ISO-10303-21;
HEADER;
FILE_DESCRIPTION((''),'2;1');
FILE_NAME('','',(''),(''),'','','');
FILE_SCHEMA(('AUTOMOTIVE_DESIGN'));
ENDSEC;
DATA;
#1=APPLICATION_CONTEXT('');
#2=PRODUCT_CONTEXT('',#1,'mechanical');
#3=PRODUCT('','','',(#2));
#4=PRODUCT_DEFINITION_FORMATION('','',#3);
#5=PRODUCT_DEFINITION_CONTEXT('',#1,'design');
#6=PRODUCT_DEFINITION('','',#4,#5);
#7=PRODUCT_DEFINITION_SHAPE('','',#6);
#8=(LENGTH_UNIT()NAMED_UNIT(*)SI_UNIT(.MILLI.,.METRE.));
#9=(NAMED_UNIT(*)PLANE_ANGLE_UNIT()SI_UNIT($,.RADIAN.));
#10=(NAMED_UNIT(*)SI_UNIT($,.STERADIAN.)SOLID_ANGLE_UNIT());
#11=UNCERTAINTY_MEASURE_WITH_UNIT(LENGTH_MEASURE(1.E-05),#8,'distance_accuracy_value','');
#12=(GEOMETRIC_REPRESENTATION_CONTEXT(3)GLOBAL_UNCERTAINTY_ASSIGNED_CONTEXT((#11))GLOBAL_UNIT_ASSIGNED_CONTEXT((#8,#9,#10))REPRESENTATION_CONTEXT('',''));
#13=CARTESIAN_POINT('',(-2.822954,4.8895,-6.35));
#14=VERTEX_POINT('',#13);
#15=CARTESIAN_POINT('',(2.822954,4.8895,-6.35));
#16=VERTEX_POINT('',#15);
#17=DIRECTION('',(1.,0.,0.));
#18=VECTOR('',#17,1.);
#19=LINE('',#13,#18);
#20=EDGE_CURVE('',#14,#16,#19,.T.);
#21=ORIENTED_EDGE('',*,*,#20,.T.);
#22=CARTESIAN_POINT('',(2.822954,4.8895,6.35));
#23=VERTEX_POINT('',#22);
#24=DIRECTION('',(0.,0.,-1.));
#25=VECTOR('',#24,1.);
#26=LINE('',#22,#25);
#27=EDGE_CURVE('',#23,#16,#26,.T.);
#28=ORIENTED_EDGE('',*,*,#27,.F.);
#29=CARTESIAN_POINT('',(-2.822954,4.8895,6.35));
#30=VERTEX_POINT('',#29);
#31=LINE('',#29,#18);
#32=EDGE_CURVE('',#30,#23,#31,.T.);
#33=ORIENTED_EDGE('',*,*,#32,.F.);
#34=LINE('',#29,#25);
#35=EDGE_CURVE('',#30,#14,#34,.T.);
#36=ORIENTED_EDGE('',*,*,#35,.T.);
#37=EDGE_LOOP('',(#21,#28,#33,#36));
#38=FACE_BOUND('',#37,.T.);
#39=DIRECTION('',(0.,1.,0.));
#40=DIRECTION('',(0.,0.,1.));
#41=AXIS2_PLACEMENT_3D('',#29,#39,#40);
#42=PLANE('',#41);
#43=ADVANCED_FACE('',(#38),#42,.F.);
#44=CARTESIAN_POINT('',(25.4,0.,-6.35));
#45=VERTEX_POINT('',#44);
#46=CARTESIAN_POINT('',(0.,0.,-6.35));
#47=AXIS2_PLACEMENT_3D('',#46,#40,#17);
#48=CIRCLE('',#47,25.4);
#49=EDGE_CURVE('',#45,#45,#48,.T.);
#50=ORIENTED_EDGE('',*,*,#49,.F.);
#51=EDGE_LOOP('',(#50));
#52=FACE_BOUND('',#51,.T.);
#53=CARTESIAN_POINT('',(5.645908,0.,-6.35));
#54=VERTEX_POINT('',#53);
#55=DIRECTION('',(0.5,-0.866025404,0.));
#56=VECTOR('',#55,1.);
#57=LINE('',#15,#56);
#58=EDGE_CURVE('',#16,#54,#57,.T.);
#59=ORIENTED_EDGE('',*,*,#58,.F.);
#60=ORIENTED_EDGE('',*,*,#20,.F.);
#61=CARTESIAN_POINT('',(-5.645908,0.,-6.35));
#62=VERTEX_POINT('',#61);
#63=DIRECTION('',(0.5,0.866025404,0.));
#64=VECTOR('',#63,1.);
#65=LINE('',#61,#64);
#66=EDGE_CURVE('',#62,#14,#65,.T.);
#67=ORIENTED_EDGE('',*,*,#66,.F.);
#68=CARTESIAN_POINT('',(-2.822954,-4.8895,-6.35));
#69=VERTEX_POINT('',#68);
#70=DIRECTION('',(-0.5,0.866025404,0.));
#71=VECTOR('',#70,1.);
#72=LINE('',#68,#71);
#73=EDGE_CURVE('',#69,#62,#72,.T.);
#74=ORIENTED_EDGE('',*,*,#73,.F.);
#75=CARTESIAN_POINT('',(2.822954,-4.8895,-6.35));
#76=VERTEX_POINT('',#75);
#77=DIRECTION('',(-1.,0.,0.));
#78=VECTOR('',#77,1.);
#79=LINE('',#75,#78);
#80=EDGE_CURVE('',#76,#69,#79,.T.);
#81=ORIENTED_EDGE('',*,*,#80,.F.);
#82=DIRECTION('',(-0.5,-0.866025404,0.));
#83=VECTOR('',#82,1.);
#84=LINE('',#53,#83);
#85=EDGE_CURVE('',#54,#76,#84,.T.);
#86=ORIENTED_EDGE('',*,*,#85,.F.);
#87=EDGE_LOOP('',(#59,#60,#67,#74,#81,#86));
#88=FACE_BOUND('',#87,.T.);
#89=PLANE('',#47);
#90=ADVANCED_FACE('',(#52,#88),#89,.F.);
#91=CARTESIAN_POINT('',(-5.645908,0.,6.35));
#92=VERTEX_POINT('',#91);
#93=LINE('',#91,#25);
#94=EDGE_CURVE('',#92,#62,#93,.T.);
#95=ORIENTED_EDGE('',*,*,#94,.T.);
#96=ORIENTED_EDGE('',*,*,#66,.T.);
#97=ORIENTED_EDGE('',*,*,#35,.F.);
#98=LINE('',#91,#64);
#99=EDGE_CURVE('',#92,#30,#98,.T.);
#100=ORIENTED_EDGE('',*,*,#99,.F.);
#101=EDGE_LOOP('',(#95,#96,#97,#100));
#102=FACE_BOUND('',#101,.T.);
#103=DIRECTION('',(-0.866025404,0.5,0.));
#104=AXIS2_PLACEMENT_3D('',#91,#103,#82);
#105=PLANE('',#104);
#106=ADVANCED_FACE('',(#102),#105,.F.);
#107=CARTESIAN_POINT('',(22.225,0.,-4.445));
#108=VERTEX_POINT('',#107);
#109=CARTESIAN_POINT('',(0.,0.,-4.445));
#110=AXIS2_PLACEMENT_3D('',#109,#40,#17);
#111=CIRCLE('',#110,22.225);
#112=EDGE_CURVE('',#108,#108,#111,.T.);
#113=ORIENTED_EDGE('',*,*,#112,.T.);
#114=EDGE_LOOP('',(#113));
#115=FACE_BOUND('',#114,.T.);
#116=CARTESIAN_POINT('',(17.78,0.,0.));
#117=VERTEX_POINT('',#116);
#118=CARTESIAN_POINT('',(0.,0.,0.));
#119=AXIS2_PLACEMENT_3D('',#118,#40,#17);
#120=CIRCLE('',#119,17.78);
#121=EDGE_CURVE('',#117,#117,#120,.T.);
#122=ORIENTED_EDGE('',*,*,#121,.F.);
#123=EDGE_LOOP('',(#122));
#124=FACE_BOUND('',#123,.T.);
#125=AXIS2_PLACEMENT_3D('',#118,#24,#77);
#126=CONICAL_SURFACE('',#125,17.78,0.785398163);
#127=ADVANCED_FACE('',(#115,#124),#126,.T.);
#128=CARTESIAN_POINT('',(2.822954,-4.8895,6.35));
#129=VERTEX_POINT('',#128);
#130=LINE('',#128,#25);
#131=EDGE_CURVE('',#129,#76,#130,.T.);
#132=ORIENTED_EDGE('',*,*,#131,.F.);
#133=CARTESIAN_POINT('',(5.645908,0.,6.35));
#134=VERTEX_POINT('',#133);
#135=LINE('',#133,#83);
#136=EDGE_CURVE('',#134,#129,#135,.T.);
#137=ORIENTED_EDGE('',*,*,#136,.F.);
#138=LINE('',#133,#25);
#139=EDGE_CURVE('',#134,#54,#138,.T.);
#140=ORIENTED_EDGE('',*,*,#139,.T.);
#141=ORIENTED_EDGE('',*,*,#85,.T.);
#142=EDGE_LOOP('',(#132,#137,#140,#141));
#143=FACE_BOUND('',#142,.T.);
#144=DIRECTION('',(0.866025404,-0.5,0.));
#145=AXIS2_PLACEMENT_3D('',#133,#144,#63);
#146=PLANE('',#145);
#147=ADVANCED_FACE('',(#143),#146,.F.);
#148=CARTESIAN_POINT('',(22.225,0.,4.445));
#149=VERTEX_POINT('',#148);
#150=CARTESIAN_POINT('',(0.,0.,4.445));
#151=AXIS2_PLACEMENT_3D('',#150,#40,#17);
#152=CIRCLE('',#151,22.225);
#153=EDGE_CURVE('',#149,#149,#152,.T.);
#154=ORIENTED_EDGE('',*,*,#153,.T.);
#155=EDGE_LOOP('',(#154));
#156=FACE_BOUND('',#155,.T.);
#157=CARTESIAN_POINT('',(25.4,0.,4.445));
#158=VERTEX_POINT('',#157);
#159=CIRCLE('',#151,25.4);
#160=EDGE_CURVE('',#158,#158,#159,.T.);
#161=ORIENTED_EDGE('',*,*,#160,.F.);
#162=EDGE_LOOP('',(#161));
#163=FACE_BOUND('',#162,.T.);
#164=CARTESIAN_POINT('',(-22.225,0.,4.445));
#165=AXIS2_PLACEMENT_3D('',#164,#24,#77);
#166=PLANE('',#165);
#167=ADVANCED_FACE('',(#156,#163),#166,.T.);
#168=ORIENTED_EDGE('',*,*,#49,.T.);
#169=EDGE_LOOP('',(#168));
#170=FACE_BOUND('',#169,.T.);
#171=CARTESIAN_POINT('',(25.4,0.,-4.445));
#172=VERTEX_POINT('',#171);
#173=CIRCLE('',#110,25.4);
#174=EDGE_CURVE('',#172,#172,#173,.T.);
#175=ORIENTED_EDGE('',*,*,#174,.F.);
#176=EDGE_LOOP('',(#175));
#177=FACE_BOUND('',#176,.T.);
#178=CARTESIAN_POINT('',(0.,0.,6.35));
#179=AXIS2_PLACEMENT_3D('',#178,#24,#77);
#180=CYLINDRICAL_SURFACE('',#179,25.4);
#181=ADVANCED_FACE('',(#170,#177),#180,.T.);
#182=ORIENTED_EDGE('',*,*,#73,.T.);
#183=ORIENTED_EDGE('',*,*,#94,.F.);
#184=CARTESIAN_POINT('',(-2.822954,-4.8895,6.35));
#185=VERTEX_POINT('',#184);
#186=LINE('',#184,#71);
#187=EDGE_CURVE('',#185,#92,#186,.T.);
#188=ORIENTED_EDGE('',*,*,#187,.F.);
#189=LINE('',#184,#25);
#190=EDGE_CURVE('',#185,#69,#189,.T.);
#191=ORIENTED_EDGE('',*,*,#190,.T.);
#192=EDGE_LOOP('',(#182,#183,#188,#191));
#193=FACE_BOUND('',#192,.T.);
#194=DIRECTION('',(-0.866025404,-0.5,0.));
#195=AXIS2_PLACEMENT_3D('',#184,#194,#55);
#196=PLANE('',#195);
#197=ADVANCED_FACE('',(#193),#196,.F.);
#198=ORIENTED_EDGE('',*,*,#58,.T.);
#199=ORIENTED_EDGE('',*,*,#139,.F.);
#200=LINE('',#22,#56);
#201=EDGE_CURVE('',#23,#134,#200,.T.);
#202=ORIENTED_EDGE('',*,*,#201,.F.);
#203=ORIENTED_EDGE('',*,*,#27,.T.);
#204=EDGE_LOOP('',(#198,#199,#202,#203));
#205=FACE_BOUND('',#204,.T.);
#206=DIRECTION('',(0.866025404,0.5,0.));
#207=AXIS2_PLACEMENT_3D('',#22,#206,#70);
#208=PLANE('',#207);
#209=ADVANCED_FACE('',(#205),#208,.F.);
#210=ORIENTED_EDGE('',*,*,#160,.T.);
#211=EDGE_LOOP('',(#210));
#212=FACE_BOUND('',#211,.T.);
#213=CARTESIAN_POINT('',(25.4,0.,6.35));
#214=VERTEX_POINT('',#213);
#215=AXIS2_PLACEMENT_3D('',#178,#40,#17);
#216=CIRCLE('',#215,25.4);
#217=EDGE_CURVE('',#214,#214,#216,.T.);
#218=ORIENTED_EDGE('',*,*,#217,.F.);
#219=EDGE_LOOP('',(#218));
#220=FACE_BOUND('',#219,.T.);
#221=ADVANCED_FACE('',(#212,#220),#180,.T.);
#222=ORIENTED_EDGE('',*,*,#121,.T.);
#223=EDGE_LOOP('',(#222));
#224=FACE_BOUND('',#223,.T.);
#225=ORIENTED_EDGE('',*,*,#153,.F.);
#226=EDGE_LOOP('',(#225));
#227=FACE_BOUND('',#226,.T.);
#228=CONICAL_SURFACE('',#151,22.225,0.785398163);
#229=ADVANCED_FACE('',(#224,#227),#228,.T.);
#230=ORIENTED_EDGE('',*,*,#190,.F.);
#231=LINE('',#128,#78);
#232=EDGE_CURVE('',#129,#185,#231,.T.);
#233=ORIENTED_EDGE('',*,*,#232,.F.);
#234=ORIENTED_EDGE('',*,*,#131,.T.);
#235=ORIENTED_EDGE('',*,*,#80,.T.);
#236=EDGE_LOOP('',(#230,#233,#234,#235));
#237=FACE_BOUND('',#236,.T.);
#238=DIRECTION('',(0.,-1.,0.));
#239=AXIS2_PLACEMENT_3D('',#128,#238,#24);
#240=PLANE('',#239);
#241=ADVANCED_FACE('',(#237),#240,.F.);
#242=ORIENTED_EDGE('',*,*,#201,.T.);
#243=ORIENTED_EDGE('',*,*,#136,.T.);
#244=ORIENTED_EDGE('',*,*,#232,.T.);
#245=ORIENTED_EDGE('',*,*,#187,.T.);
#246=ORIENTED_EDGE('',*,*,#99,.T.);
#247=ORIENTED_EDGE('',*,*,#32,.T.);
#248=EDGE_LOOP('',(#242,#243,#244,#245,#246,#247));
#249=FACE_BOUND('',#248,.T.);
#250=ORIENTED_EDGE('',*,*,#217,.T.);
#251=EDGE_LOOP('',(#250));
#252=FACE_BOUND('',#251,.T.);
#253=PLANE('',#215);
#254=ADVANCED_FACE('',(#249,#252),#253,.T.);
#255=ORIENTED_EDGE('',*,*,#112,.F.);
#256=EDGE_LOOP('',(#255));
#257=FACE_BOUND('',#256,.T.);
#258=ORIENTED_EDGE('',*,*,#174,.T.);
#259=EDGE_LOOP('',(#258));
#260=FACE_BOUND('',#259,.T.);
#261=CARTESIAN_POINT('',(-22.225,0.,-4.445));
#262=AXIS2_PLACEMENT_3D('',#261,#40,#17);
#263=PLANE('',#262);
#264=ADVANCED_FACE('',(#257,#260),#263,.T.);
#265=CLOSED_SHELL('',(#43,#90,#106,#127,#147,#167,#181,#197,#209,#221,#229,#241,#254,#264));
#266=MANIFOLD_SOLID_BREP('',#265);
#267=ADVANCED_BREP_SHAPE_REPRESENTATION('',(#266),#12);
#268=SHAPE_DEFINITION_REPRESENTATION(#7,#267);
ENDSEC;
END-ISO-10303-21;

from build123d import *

# Parameters (mm, degrees)
SKETCH1_R           = 25.4
BOSS_EXTRUDE1_DEPTH = 6.35
CUT_EXTRUDE1_DEPTH  = 39.1


with BuildPart() as part:
    # Sketch1 → Boss-Extrude1 (new, symmetric)
    with BuildSketch(Plane.XY):
        Circle(SKETCH1_R)
    extrude(amount=BOSS_EXTRUDE1_DEPTH, both=True)

    # Sketch3 → Cut-Revolve1 (revolve, cut)
    with BuildSketch(Plane(origin=(0, 0, 0), x_dir=(1, 0, 0), z_dir=(0, 1, 0)), mode=Mode.PRIVATE) as cut_revolve1_sk:
        Polygon((-25.4, 4.445), (-25.4, -4.445), (-22.225, -4.445), (-17.78, 0), (-22.225, 4.445), align=None)
    revolve(cut_revolve1_sk.sketch.rotate(Axis((0, 0, 17.119668281), (0, 0, -1)), 180), axis=Axis((0, 0, 17.119668281), (0, 0, -1)), mode=Mode.SUBTRACT)

    # Sketch4 → Cut-Extrude1 (cut, through all)
    with BuildSketch(Plane(origin=(0, 0, -6.35), x_dir=(-1, 0, 0), z_dir=(0, 0, -1))):
        Polygon((5.645908282, 0), (2.822954141, 4.8895), (-2.822954141, 4.8895), (-5.645908282, 0), (-2.822954141, -4.8895), (2.822954141, -4.8895), align=None)
    extrude(amount=-CUT_EXTRUDE1_DEPTH, mode=Mode.SUBTRACT)


solid = part.part
